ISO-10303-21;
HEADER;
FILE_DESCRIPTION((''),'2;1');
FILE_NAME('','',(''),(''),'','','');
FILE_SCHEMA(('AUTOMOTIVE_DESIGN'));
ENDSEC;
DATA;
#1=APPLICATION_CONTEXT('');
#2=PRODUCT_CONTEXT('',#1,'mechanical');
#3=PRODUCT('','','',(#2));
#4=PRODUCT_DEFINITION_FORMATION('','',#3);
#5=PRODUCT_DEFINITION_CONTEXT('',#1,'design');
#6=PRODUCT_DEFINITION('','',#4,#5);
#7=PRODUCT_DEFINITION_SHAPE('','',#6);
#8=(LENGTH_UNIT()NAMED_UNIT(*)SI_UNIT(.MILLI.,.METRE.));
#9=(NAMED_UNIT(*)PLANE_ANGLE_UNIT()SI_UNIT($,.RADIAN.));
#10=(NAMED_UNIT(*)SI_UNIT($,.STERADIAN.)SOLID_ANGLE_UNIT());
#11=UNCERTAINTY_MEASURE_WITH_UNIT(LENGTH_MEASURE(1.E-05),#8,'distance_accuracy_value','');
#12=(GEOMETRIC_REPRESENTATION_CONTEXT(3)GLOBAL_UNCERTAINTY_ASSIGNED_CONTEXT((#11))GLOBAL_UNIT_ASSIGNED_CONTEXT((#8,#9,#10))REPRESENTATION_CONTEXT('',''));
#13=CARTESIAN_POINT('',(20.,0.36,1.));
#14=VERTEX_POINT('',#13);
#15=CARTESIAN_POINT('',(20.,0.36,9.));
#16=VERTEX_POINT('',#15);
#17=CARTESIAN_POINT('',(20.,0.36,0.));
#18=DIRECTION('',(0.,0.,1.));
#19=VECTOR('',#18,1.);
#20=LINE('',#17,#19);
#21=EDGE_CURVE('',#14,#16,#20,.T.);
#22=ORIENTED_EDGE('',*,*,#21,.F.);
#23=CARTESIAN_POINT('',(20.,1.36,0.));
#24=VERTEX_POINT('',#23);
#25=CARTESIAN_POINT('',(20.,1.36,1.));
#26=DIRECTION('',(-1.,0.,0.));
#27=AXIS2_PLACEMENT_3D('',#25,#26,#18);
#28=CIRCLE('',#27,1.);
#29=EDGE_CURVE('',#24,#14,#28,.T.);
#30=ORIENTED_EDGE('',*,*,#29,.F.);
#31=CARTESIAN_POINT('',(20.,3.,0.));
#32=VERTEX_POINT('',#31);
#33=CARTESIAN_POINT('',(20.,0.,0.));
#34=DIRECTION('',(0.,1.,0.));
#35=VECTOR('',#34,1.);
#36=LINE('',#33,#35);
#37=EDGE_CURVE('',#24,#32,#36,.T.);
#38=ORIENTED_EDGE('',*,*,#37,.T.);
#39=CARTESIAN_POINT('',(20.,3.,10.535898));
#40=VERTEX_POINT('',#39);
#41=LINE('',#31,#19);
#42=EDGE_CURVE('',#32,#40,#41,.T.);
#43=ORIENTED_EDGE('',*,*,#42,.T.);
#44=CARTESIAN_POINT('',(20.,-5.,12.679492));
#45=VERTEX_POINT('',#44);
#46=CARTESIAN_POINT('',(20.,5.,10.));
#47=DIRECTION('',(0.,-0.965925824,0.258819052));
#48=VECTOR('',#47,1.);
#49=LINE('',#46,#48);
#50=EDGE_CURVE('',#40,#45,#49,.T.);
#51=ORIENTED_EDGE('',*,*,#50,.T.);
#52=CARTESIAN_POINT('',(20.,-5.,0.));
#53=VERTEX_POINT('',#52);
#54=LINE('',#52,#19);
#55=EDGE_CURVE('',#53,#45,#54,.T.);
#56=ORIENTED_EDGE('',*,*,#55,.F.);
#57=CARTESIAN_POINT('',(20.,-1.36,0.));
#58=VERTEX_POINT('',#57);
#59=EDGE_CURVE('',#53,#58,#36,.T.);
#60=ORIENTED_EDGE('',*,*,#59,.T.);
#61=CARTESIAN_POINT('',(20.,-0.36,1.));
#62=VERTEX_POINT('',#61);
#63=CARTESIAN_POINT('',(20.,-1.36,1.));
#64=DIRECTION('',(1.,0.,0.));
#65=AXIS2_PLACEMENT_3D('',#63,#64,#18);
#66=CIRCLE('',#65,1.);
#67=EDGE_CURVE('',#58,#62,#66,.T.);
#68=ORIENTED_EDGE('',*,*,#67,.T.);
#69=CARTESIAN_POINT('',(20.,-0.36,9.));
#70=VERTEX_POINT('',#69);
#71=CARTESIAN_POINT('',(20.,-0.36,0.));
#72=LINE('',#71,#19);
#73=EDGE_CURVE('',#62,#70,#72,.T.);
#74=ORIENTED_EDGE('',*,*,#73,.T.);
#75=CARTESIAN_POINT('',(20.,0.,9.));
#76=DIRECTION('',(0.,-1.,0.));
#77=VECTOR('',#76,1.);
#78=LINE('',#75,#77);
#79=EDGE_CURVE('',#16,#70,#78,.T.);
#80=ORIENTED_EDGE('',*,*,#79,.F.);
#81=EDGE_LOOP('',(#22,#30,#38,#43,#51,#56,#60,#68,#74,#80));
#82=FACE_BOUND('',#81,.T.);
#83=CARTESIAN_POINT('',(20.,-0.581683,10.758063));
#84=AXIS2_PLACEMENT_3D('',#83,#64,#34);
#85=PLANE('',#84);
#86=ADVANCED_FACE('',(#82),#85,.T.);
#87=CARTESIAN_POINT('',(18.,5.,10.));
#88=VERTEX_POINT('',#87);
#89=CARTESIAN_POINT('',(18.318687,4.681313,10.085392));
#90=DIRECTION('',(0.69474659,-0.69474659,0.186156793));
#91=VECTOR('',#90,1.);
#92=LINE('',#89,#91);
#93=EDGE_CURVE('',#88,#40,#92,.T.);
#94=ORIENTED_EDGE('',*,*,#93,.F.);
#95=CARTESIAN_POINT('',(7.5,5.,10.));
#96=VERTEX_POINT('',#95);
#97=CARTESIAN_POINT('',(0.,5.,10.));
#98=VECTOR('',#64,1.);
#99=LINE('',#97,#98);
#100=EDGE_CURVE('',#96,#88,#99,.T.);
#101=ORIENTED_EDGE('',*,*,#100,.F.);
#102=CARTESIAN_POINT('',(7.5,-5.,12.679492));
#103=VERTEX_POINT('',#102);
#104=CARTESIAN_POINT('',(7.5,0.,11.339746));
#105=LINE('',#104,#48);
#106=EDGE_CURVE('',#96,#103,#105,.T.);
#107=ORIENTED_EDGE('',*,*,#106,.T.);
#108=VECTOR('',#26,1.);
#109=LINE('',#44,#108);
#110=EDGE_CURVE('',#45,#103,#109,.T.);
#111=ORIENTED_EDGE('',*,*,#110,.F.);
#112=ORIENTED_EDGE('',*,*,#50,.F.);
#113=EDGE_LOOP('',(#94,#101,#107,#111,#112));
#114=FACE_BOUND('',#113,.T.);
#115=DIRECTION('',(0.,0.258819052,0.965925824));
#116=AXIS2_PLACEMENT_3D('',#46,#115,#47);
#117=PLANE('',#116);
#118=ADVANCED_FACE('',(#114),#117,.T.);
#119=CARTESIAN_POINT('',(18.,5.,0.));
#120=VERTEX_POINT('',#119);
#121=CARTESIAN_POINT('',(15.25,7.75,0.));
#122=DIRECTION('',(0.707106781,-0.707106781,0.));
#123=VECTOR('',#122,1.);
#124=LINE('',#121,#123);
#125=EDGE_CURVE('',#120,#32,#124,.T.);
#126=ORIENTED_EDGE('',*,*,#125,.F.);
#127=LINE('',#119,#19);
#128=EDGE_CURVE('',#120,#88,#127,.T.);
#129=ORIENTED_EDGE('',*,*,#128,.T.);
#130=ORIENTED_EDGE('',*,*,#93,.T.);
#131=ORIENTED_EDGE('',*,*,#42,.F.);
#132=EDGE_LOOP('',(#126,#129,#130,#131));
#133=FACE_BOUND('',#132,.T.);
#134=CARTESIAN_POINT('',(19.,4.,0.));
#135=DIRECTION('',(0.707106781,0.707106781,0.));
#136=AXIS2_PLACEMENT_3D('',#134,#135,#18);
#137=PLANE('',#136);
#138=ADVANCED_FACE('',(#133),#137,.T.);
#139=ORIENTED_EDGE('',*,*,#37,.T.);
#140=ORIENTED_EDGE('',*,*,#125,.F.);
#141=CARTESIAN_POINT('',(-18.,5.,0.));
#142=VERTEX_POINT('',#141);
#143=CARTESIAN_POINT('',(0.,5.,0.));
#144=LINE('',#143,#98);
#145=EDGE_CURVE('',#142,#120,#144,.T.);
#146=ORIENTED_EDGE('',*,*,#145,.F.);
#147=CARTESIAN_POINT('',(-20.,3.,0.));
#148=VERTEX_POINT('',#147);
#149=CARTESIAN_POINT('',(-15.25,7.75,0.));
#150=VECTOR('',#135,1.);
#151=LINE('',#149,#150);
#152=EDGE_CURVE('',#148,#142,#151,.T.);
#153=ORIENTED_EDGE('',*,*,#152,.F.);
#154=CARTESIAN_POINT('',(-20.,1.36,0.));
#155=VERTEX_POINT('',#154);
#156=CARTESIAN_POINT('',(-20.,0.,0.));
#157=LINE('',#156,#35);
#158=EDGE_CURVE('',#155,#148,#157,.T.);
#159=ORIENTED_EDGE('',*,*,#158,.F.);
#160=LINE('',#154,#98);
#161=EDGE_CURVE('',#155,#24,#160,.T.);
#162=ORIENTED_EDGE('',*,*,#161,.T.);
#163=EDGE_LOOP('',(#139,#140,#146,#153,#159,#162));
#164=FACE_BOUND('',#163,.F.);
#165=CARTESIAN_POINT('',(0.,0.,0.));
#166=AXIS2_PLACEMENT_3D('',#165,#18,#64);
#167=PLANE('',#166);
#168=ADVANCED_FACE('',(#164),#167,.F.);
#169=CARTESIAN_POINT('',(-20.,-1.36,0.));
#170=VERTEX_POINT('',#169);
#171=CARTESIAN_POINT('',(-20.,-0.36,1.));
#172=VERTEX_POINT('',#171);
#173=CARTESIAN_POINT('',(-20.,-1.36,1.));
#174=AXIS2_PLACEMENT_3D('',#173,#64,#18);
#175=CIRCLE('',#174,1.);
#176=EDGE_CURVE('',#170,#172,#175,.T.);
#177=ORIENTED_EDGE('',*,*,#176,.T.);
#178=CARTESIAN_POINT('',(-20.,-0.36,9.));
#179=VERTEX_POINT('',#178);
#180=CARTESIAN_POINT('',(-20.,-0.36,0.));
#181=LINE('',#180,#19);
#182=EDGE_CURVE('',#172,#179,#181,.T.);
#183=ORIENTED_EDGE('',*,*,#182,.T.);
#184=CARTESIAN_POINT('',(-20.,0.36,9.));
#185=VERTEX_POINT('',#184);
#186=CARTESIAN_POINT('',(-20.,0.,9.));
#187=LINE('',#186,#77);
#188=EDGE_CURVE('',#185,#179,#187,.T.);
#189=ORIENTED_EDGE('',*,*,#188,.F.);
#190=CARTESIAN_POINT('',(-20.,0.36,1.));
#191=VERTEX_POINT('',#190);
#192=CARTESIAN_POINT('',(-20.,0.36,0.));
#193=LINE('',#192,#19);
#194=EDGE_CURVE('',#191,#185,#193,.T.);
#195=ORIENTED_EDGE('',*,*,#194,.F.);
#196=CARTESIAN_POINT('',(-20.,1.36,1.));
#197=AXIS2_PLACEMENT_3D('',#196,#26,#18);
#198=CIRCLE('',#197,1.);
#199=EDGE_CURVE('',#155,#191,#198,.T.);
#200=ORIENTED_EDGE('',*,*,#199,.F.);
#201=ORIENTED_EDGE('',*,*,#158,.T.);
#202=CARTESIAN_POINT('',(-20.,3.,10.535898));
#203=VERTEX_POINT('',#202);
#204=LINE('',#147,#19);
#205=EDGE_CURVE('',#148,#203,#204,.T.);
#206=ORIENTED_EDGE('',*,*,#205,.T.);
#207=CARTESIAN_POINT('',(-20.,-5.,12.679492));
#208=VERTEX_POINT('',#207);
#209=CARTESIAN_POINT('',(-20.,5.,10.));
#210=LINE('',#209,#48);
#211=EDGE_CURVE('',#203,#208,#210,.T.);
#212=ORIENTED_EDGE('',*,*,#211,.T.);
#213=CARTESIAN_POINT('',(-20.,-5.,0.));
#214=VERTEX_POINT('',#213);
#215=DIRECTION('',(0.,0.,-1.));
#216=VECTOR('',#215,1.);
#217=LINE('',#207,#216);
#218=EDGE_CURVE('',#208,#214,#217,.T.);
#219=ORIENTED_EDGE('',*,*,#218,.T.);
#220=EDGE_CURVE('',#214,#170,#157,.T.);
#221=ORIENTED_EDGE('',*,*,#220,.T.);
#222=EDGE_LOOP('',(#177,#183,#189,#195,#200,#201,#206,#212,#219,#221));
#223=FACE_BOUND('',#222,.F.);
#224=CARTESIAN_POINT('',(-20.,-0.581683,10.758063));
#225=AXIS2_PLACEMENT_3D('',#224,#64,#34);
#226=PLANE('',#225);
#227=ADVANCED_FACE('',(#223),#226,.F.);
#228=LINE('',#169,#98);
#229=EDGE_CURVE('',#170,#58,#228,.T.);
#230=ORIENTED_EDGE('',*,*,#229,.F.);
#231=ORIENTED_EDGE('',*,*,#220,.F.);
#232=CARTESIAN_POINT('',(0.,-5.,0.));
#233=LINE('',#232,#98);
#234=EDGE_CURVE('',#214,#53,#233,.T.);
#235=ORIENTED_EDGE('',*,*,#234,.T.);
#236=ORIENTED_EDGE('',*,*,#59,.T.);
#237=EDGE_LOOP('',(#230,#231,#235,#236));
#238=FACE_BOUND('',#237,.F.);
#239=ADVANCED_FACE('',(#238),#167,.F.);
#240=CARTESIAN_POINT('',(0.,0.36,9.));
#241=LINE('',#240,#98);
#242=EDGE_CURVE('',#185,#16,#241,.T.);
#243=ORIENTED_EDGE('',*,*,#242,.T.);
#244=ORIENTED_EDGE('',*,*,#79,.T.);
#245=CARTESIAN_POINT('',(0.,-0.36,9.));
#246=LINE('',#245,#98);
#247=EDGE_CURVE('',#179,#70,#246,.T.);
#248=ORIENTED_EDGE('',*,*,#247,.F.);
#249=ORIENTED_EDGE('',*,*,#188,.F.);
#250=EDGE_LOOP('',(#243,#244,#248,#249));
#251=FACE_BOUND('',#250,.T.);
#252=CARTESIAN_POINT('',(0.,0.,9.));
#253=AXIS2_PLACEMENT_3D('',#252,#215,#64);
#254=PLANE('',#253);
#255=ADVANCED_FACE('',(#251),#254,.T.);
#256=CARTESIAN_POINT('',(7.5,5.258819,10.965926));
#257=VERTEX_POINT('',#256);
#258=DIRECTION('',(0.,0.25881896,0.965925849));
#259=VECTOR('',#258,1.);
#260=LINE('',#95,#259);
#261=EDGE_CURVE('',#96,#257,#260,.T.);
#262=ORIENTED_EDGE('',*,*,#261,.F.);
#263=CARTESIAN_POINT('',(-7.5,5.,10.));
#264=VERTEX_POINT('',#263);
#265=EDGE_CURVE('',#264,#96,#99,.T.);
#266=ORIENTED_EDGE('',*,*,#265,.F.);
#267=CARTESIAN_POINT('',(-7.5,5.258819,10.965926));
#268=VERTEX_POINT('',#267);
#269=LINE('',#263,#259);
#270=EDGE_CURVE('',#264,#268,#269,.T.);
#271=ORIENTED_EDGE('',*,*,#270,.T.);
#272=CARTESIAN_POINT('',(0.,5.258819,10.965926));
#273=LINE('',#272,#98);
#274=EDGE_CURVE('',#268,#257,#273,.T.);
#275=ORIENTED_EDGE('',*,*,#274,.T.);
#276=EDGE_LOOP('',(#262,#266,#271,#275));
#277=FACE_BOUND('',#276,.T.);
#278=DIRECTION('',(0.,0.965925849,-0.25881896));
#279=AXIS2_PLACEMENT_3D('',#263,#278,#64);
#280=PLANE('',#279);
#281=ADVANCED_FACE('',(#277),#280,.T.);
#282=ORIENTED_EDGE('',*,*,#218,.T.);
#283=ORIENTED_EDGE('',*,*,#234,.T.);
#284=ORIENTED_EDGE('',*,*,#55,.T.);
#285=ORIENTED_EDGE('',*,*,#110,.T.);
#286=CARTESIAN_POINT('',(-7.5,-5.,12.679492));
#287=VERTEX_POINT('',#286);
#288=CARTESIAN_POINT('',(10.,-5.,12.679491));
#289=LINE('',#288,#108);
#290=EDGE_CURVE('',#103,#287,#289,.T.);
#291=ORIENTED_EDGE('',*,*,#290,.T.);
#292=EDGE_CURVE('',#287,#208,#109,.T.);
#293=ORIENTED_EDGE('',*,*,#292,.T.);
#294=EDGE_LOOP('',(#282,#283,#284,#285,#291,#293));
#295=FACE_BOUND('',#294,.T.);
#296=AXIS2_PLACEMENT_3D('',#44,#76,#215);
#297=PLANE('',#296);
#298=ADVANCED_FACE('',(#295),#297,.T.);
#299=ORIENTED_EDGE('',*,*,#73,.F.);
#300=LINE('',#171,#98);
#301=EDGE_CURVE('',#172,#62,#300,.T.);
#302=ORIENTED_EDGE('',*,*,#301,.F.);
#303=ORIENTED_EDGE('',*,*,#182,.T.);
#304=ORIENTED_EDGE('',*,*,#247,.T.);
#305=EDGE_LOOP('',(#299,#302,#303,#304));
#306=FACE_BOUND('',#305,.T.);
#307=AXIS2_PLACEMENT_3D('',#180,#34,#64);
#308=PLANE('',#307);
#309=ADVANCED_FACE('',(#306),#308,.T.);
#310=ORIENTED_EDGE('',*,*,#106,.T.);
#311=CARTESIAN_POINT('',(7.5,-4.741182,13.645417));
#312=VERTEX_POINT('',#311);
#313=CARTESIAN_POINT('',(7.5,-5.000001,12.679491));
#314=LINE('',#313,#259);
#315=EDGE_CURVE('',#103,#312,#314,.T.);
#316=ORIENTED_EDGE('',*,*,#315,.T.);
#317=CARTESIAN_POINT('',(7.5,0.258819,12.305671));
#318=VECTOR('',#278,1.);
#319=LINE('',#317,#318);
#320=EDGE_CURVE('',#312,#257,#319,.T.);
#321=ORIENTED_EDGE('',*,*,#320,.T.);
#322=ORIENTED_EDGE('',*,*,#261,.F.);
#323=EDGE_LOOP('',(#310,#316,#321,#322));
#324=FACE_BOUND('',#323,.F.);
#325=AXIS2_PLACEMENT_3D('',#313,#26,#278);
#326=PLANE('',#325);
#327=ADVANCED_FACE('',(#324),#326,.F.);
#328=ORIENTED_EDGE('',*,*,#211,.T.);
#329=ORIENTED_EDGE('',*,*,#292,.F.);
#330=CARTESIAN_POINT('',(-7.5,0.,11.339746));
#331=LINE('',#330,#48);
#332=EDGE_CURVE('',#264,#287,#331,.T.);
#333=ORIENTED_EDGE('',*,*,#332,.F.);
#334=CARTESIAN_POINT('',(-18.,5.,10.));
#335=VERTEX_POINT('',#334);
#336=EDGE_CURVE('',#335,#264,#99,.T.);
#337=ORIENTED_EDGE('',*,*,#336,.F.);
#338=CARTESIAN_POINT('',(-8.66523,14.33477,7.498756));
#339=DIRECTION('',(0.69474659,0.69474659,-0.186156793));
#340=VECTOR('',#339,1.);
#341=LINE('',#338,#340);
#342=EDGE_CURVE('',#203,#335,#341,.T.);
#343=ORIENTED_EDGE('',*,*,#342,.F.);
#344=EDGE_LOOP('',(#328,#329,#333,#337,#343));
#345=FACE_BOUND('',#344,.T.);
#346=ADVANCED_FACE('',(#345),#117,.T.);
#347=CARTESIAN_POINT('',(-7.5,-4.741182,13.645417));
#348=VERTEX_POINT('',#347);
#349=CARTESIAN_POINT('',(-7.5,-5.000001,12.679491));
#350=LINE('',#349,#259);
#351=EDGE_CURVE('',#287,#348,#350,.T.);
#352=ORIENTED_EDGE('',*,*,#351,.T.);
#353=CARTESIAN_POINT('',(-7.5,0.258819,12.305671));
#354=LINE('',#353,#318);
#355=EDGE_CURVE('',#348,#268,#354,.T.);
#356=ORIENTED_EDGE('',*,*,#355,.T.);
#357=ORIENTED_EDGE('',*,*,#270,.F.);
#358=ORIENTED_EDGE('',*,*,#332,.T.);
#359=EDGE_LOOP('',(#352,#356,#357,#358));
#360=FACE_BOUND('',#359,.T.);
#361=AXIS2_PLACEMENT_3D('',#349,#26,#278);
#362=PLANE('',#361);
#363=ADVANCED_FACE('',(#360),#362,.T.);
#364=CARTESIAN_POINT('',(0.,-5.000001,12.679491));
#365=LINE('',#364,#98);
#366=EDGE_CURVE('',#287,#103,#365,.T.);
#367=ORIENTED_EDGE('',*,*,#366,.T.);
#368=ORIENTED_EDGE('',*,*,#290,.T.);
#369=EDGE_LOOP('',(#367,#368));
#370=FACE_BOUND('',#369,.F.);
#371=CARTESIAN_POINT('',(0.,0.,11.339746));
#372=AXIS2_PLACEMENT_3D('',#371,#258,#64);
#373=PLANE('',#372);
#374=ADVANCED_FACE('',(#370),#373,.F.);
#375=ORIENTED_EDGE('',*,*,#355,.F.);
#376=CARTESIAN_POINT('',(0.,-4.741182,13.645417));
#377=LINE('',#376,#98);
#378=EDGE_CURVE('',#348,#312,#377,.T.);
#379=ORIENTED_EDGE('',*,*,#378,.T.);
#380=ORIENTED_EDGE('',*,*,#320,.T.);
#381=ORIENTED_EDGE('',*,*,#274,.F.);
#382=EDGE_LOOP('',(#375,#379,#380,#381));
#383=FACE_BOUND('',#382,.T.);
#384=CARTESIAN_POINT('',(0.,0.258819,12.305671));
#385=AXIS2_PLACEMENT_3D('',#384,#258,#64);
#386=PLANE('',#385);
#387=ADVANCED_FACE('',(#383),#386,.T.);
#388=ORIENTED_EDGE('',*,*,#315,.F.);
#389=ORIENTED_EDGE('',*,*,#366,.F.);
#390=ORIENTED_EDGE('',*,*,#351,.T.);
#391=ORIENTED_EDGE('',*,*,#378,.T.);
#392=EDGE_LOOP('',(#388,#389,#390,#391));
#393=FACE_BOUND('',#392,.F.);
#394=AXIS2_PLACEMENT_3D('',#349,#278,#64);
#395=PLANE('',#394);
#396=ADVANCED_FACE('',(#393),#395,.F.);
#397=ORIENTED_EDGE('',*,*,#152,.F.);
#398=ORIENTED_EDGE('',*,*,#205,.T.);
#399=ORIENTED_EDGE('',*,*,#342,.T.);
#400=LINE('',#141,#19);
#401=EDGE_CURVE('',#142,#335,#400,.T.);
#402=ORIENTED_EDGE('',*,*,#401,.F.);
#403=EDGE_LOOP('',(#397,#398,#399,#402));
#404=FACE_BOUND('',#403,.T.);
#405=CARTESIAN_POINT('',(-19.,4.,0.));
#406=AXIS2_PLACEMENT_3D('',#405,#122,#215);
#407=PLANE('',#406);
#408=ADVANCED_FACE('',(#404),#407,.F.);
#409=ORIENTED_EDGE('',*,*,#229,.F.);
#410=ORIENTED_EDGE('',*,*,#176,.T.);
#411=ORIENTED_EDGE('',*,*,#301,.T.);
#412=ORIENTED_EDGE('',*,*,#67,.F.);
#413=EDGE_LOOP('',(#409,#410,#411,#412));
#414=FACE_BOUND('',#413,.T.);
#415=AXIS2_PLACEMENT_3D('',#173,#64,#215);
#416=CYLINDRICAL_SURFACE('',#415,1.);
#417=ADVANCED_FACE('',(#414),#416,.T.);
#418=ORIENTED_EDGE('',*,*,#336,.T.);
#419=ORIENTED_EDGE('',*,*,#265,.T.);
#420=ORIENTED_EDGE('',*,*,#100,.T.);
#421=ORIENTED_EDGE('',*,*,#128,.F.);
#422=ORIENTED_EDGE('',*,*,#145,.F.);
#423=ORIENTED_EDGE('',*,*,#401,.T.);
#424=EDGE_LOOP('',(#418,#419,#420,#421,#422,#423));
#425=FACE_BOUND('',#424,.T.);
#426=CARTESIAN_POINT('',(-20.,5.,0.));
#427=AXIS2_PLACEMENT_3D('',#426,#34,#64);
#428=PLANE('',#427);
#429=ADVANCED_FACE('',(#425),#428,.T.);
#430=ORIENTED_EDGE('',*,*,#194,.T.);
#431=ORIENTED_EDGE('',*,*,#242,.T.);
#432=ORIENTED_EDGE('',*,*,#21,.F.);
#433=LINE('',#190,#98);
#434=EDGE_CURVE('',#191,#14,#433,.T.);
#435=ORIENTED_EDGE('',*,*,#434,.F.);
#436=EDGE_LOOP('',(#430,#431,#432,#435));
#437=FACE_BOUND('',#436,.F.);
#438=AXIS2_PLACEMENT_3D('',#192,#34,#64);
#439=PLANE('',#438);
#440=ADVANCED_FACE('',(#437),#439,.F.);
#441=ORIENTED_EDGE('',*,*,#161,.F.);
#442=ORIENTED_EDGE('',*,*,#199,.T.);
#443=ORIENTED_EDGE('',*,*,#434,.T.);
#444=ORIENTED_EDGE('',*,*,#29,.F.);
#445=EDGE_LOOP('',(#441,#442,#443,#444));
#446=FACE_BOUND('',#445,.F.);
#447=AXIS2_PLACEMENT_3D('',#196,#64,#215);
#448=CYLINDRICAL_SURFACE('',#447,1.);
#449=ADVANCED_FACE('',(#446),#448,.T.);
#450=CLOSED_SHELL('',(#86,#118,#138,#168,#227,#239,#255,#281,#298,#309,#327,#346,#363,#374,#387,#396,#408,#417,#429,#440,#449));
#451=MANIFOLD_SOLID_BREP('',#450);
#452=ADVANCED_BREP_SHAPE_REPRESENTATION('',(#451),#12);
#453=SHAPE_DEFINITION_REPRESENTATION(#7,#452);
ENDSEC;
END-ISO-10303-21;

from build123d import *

# Parameters (mm, degrees)
F0_W     = 40
F0_H     = 10
F1_DEPTH = 10
F3_DEPTH = 40
F4_W     = 15
F4_H     = 10.352762
F5_DEPTH = 1
F6_W     = 40
F6_H     = 0.72
F7_DEPTH = 9
F8_R     = 1
F9_SIZE  = 2


with BuildPart() as f1:
    # F0 (on Top) → F1 (new body)
    with BuildSketch(Plane.XY):
        Rectangle(F0_W, F0_H)
    extrude(amount=F1_DEPTH)

    # F2 (on face) → F3 (join, through all)
    with BuildSketch(Plane.YZ.offset(20)):
        Polygon((-5, 10), (5, 10), (-5, 12.679492), align=None)
    extrude(amount=-F3_DEPTH)

    # F4 (on face) → F5 (join)
    with BuildSketch(Plane(origin=(0, 2.834936, 10.580127), x_dir=(1, 0, 0), z_dir=(0, 0.258819, 0.965926))):
        with Locations((0, -2.934942)):
            Rectangle(F4_W, F4_H)
    extrude(amount=F5_DEPTH)

    # F6 (on face) → F7 (cut)
    with BuildSketch(Plane(origin=(0, 0, 0), x_dir=(1, 0, 0), z_dir=(0, 0, -1))):
        Rectangle(F6_W, F6_H)
    extrude(amount=-F7_DEPTH, mode=Mode.SUBTRACT)

    # F8
    f8_edges = [f1.edges().sort_by_distance(p)[0] for p in [
        (0, -0.36, 0),
        (0, 0.36, 0),
    ]]
    fillet(f8_edges, radius=F8_R)

    # F9
    f9_edges = [f1.edges().sort_by_distance(p)[0] for p in [
        (20, 5, 5),
        (-20, 5, 5),
    ]]
    chamfer(f9_edges, length=F9_SIZE)


solid = f1.part
